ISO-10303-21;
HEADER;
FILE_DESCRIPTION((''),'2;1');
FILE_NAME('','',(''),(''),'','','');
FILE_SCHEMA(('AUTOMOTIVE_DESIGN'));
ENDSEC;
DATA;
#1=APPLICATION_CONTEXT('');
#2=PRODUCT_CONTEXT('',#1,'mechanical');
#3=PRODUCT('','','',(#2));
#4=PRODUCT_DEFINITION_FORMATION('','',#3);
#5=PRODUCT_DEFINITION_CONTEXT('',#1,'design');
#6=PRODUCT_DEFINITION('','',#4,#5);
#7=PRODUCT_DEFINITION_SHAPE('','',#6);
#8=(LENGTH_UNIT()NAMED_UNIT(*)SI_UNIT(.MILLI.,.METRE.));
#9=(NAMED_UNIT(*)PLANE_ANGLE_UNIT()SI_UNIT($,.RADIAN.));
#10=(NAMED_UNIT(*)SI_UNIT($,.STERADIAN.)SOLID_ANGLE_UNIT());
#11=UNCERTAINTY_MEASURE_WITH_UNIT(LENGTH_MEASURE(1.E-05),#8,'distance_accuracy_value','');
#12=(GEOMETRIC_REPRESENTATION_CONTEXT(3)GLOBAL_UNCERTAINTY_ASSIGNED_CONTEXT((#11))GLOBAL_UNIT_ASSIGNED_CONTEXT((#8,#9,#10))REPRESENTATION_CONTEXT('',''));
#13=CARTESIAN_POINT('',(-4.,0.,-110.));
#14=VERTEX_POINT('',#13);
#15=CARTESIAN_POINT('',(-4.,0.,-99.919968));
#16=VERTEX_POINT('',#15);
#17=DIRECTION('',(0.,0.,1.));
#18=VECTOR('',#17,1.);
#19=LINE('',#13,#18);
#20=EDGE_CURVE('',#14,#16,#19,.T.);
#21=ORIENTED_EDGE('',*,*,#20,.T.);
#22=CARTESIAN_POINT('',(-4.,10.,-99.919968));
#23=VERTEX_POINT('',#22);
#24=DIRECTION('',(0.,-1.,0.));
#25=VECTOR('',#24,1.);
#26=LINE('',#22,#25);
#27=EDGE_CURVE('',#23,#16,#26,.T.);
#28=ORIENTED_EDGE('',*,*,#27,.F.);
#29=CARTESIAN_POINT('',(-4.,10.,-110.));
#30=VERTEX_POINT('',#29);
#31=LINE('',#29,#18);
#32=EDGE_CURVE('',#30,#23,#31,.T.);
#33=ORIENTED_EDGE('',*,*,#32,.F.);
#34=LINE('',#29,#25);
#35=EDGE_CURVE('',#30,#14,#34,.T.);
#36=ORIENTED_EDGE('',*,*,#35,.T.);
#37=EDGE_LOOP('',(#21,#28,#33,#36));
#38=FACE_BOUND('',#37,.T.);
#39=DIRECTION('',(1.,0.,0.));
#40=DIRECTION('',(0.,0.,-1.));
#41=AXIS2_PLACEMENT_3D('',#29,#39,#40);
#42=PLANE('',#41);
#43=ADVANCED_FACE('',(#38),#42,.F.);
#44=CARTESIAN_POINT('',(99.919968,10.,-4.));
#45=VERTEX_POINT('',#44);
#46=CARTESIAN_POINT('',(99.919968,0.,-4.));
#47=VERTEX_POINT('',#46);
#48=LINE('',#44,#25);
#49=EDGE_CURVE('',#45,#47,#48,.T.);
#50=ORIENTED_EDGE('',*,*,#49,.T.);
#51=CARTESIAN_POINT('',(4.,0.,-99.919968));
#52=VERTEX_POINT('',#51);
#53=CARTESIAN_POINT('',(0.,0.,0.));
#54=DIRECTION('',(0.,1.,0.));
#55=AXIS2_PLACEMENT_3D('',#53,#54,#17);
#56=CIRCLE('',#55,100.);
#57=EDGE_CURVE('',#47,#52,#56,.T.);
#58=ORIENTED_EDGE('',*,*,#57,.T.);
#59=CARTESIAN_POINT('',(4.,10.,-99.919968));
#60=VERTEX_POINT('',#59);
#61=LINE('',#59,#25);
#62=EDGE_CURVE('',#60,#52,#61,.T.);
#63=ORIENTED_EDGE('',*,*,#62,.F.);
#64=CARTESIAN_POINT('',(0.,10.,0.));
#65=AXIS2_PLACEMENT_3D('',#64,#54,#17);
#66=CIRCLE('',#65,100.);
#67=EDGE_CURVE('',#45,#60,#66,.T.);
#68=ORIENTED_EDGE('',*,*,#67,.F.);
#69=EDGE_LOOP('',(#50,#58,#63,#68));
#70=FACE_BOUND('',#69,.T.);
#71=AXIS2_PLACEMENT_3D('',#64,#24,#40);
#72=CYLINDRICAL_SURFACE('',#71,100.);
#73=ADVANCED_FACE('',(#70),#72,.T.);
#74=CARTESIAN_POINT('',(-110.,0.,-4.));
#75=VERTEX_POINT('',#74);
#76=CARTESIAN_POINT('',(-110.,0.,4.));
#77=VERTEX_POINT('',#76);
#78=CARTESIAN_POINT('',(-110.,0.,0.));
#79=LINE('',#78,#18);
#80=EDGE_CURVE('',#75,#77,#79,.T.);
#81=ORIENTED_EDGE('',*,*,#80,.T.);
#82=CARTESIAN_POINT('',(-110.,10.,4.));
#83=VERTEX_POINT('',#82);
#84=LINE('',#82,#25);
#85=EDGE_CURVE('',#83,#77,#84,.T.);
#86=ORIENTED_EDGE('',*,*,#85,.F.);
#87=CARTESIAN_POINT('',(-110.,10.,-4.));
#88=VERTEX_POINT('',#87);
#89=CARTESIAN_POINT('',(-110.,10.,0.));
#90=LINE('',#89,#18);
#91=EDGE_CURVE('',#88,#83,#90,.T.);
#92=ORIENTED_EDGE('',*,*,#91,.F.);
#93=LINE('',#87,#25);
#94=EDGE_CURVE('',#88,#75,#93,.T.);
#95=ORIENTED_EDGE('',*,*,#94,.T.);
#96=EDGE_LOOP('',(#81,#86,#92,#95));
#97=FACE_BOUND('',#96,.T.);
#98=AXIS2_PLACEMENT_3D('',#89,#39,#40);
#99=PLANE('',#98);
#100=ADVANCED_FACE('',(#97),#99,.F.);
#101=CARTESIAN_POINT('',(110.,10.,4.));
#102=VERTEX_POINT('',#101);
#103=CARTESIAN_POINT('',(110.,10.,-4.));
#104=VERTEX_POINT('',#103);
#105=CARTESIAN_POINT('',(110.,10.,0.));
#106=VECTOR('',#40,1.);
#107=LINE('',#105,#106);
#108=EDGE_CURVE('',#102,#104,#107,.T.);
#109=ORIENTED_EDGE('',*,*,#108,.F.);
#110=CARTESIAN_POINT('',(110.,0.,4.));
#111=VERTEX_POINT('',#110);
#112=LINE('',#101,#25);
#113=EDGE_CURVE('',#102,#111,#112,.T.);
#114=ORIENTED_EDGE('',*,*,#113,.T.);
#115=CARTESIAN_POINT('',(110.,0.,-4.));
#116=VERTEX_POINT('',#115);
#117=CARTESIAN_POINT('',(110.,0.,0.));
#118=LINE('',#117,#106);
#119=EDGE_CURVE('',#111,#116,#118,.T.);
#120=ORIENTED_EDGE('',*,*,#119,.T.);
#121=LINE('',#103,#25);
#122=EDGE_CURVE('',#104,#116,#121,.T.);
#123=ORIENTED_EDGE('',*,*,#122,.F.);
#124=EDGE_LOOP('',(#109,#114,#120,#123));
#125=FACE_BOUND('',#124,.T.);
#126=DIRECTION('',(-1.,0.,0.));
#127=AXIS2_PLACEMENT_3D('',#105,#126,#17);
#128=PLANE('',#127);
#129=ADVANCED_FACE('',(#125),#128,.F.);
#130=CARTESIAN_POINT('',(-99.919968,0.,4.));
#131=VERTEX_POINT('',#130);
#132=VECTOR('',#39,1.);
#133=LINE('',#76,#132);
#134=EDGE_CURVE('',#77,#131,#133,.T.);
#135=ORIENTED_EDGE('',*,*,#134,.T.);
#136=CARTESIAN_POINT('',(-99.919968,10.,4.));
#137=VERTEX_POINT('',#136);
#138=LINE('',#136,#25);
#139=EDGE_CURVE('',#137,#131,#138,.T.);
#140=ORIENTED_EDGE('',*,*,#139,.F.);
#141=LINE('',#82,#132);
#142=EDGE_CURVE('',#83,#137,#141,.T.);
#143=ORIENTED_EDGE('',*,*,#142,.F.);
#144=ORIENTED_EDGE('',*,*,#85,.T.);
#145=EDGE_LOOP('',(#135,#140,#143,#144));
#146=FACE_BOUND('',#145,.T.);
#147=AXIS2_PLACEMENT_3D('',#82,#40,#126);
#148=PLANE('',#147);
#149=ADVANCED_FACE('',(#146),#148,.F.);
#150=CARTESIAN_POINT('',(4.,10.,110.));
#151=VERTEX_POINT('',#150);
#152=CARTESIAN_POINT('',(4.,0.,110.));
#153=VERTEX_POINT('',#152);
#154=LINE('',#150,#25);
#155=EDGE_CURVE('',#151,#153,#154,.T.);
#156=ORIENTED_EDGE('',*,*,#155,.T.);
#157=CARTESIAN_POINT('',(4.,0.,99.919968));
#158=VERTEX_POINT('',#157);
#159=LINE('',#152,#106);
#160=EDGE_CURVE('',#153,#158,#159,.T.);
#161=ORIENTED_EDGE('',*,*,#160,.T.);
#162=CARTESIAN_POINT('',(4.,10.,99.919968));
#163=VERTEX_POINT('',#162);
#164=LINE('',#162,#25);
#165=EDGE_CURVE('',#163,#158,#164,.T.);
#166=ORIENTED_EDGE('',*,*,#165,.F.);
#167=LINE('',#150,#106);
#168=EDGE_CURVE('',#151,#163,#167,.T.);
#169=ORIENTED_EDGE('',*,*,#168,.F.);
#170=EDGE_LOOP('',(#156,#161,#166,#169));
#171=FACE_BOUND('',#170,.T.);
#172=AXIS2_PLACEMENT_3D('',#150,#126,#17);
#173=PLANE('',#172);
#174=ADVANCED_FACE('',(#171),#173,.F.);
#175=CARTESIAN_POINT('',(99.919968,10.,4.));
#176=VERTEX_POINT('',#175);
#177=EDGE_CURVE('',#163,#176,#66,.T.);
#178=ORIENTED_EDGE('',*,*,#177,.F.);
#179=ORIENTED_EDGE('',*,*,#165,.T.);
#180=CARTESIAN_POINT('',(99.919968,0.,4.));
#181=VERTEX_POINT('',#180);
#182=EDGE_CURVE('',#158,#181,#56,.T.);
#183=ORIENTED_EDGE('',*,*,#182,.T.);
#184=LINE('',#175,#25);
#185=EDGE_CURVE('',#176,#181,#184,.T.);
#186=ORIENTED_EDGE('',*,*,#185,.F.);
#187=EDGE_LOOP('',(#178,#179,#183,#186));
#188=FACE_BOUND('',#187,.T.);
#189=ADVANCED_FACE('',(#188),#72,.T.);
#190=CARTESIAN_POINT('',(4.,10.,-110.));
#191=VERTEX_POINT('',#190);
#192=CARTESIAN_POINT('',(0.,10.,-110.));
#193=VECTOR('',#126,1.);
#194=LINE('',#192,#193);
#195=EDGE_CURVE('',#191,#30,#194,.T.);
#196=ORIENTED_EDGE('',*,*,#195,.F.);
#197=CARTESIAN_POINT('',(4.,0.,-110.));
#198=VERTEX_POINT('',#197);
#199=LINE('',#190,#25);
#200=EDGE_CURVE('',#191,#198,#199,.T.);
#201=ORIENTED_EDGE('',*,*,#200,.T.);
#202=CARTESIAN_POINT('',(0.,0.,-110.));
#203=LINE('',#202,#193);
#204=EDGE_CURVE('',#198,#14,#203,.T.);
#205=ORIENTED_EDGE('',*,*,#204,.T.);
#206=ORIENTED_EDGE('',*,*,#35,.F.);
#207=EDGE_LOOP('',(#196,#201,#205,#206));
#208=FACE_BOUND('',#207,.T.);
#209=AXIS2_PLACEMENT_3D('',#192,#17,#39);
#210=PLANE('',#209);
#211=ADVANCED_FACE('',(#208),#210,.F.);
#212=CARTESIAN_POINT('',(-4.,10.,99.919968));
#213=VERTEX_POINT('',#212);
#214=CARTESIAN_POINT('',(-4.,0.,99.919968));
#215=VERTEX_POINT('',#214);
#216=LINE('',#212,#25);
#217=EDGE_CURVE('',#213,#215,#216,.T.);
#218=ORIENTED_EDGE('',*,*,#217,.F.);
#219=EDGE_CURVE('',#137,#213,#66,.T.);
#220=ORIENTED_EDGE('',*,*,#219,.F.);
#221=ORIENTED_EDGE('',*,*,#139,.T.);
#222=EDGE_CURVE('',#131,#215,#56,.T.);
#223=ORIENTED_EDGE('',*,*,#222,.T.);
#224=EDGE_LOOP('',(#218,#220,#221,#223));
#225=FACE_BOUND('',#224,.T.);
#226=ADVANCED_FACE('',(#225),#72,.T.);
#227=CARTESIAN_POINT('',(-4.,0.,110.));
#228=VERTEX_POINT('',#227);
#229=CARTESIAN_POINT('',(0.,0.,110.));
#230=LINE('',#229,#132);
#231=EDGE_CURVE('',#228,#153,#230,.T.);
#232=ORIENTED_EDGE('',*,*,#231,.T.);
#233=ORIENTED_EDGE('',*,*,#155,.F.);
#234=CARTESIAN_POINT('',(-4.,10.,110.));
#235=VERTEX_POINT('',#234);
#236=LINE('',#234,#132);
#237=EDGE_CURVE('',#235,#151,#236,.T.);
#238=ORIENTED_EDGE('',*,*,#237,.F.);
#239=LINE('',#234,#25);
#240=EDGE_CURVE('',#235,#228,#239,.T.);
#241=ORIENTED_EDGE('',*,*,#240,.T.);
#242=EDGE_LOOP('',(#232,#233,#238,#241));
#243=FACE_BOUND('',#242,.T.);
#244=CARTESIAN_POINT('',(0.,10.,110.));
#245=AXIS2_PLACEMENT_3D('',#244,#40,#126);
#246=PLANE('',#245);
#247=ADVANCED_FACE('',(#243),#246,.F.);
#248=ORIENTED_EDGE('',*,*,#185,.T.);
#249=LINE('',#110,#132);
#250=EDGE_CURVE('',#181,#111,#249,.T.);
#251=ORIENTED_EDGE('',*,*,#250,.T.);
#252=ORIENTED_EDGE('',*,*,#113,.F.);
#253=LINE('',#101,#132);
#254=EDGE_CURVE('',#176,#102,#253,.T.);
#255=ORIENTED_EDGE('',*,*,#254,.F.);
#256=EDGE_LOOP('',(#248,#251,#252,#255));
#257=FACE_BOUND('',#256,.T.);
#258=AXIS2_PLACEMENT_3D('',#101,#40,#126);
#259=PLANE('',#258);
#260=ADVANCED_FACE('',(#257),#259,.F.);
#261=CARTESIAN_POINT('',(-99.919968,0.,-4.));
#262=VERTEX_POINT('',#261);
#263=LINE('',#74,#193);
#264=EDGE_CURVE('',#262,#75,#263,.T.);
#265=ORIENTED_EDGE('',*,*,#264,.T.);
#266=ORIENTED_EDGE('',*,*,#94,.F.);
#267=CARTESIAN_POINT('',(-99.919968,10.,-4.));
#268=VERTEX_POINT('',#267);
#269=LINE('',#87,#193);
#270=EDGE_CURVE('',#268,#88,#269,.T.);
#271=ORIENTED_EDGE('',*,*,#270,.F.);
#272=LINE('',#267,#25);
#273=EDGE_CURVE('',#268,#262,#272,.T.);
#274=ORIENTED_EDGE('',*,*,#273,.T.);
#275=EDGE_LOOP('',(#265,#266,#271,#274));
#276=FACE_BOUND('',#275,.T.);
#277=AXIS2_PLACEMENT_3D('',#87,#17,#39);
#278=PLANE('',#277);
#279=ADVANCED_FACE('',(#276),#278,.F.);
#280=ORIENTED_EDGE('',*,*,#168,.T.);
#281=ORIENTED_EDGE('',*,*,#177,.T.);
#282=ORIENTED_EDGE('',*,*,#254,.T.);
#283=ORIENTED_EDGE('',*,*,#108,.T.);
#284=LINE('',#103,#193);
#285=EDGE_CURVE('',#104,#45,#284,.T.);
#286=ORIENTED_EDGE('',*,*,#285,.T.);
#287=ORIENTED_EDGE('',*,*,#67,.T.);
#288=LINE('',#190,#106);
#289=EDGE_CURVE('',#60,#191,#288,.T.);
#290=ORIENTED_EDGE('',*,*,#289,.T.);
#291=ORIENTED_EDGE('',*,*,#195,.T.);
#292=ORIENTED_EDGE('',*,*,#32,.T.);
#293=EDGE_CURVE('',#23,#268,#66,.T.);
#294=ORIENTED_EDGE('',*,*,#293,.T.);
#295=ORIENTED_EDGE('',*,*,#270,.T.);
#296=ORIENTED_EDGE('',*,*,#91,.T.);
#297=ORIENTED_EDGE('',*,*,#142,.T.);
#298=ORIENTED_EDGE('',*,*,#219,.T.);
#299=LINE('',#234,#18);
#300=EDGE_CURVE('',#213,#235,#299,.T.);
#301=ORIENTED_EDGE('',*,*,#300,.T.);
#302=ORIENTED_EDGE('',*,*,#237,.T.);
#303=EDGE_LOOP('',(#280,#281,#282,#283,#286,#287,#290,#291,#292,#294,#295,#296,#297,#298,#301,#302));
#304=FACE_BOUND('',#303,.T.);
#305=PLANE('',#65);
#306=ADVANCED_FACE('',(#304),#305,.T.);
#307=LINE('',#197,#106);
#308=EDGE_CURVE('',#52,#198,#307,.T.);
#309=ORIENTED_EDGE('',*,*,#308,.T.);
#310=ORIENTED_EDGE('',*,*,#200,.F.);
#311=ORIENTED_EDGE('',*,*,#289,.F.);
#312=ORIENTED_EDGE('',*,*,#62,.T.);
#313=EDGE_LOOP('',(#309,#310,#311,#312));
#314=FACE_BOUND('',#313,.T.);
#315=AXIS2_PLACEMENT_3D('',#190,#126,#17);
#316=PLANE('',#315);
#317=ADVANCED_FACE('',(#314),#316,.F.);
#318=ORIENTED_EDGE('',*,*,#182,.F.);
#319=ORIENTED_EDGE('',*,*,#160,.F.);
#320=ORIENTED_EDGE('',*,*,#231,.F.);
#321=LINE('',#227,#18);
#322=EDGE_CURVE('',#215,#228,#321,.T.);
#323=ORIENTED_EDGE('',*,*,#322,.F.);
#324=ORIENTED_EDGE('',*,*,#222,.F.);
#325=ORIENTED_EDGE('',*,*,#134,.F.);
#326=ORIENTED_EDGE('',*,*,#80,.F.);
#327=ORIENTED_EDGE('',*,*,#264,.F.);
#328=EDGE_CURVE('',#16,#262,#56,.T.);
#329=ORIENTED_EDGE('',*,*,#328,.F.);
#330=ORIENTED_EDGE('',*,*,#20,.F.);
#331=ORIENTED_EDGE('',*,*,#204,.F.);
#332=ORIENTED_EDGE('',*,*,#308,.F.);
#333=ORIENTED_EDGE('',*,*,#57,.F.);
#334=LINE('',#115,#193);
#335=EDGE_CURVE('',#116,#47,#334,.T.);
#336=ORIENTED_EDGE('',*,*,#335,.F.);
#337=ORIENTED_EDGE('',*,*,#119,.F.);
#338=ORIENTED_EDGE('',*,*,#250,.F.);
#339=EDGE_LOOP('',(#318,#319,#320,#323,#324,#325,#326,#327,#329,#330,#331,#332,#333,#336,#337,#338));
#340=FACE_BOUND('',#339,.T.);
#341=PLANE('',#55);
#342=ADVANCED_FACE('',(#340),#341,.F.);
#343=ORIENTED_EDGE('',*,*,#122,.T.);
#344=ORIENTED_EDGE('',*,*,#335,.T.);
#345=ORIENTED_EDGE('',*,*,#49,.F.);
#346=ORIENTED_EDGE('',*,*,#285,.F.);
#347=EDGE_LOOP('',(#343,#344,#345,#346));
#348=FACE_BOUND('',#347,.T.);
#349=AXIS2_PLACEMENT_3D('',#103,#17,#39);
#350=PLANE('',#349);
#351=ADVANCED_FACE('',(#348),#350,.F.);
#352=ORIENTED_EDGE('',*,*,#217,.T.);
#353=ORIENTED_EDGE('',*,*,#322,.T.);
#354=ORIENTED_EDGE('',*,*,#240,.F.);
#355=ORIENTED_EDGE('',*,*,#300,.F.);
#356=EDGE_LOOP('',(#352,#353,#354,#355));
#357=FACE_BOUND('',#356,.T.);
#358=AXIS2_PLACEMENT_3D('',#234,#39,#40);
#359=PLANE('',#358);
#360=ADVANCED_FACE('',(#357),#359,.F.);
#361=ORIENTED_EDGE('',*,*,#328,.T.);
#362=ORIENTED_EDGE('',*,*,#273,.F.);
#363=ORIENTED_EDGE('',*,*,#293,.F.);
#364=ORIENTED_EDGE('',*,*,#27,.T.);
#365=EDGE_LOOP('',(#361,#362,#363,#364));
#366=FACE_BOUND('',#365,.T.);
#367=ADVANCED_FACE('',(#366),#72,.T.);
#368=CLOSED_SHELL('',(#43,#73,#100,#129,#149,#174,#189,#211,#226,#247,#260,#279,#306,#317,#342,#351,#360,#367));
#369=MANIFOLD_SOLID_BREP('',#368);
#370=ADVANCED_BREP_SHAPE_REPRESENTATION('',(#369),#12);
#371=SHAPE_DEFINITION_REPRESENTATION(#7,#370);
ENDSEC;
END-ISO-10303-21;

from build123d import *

# Parameters (mm, degrees)
EXTRUDE_2_DEPTH = 10


with BuildPart() as part:
    # 草图3 → 凸台-拉伸2 (new body)
    with BuildSketch(Plane(origin=(0, 0, 0), x_dir=(1, 0, 0), z_dir=(0, 1, 0))):
        with BuildLine():
            Line((0, 110), (-4, 110))
            Line((-4, 110), (-4, 99.919967974))
            ThreePointArc((-4, 99.919967974), (-70.710678119, 70.710678119), (-99.919967974, 4))
            Line((-99.919967974, 4), (-110, 4))
            Line((-110, 4), (-110, 0))
            Line((-110, 0), (-110, -4))
            Line((-110, -4), (-99.919967974, -4))
            ThreePointArc((-99.919967974, -4), (-70.710678119, -70.710678119), (-4, -99.919967974))
            Line((-4, -99.919967974), (-4, -110))
            Line((-4, -110), (0, -110))
            Line((0, -110), (4, -110))
            Line((4, -110), (4, -99.919967974))
            ThreePointArc((4, -99.919967974), (70.710678119, -70.710678119), (99.919967974, -4))
            Line((99.919967974, -4), (110, -4))
            Line((110, -4), (110, 0))
            Line((110, 0), (110, 4))
            Line((110, 4), (99.919967974, 4))
            ThreePointArc((99.919967974, 4), (70.710678119, 70.710678119), (4, 99.919967974))
            Line((4, 99.919967974), (4, 110))
            Line((4, 110), (0, 110))
        make_face()
    extrude(amount=EXTRUDE_2_DEPTH)


solid = part.part
